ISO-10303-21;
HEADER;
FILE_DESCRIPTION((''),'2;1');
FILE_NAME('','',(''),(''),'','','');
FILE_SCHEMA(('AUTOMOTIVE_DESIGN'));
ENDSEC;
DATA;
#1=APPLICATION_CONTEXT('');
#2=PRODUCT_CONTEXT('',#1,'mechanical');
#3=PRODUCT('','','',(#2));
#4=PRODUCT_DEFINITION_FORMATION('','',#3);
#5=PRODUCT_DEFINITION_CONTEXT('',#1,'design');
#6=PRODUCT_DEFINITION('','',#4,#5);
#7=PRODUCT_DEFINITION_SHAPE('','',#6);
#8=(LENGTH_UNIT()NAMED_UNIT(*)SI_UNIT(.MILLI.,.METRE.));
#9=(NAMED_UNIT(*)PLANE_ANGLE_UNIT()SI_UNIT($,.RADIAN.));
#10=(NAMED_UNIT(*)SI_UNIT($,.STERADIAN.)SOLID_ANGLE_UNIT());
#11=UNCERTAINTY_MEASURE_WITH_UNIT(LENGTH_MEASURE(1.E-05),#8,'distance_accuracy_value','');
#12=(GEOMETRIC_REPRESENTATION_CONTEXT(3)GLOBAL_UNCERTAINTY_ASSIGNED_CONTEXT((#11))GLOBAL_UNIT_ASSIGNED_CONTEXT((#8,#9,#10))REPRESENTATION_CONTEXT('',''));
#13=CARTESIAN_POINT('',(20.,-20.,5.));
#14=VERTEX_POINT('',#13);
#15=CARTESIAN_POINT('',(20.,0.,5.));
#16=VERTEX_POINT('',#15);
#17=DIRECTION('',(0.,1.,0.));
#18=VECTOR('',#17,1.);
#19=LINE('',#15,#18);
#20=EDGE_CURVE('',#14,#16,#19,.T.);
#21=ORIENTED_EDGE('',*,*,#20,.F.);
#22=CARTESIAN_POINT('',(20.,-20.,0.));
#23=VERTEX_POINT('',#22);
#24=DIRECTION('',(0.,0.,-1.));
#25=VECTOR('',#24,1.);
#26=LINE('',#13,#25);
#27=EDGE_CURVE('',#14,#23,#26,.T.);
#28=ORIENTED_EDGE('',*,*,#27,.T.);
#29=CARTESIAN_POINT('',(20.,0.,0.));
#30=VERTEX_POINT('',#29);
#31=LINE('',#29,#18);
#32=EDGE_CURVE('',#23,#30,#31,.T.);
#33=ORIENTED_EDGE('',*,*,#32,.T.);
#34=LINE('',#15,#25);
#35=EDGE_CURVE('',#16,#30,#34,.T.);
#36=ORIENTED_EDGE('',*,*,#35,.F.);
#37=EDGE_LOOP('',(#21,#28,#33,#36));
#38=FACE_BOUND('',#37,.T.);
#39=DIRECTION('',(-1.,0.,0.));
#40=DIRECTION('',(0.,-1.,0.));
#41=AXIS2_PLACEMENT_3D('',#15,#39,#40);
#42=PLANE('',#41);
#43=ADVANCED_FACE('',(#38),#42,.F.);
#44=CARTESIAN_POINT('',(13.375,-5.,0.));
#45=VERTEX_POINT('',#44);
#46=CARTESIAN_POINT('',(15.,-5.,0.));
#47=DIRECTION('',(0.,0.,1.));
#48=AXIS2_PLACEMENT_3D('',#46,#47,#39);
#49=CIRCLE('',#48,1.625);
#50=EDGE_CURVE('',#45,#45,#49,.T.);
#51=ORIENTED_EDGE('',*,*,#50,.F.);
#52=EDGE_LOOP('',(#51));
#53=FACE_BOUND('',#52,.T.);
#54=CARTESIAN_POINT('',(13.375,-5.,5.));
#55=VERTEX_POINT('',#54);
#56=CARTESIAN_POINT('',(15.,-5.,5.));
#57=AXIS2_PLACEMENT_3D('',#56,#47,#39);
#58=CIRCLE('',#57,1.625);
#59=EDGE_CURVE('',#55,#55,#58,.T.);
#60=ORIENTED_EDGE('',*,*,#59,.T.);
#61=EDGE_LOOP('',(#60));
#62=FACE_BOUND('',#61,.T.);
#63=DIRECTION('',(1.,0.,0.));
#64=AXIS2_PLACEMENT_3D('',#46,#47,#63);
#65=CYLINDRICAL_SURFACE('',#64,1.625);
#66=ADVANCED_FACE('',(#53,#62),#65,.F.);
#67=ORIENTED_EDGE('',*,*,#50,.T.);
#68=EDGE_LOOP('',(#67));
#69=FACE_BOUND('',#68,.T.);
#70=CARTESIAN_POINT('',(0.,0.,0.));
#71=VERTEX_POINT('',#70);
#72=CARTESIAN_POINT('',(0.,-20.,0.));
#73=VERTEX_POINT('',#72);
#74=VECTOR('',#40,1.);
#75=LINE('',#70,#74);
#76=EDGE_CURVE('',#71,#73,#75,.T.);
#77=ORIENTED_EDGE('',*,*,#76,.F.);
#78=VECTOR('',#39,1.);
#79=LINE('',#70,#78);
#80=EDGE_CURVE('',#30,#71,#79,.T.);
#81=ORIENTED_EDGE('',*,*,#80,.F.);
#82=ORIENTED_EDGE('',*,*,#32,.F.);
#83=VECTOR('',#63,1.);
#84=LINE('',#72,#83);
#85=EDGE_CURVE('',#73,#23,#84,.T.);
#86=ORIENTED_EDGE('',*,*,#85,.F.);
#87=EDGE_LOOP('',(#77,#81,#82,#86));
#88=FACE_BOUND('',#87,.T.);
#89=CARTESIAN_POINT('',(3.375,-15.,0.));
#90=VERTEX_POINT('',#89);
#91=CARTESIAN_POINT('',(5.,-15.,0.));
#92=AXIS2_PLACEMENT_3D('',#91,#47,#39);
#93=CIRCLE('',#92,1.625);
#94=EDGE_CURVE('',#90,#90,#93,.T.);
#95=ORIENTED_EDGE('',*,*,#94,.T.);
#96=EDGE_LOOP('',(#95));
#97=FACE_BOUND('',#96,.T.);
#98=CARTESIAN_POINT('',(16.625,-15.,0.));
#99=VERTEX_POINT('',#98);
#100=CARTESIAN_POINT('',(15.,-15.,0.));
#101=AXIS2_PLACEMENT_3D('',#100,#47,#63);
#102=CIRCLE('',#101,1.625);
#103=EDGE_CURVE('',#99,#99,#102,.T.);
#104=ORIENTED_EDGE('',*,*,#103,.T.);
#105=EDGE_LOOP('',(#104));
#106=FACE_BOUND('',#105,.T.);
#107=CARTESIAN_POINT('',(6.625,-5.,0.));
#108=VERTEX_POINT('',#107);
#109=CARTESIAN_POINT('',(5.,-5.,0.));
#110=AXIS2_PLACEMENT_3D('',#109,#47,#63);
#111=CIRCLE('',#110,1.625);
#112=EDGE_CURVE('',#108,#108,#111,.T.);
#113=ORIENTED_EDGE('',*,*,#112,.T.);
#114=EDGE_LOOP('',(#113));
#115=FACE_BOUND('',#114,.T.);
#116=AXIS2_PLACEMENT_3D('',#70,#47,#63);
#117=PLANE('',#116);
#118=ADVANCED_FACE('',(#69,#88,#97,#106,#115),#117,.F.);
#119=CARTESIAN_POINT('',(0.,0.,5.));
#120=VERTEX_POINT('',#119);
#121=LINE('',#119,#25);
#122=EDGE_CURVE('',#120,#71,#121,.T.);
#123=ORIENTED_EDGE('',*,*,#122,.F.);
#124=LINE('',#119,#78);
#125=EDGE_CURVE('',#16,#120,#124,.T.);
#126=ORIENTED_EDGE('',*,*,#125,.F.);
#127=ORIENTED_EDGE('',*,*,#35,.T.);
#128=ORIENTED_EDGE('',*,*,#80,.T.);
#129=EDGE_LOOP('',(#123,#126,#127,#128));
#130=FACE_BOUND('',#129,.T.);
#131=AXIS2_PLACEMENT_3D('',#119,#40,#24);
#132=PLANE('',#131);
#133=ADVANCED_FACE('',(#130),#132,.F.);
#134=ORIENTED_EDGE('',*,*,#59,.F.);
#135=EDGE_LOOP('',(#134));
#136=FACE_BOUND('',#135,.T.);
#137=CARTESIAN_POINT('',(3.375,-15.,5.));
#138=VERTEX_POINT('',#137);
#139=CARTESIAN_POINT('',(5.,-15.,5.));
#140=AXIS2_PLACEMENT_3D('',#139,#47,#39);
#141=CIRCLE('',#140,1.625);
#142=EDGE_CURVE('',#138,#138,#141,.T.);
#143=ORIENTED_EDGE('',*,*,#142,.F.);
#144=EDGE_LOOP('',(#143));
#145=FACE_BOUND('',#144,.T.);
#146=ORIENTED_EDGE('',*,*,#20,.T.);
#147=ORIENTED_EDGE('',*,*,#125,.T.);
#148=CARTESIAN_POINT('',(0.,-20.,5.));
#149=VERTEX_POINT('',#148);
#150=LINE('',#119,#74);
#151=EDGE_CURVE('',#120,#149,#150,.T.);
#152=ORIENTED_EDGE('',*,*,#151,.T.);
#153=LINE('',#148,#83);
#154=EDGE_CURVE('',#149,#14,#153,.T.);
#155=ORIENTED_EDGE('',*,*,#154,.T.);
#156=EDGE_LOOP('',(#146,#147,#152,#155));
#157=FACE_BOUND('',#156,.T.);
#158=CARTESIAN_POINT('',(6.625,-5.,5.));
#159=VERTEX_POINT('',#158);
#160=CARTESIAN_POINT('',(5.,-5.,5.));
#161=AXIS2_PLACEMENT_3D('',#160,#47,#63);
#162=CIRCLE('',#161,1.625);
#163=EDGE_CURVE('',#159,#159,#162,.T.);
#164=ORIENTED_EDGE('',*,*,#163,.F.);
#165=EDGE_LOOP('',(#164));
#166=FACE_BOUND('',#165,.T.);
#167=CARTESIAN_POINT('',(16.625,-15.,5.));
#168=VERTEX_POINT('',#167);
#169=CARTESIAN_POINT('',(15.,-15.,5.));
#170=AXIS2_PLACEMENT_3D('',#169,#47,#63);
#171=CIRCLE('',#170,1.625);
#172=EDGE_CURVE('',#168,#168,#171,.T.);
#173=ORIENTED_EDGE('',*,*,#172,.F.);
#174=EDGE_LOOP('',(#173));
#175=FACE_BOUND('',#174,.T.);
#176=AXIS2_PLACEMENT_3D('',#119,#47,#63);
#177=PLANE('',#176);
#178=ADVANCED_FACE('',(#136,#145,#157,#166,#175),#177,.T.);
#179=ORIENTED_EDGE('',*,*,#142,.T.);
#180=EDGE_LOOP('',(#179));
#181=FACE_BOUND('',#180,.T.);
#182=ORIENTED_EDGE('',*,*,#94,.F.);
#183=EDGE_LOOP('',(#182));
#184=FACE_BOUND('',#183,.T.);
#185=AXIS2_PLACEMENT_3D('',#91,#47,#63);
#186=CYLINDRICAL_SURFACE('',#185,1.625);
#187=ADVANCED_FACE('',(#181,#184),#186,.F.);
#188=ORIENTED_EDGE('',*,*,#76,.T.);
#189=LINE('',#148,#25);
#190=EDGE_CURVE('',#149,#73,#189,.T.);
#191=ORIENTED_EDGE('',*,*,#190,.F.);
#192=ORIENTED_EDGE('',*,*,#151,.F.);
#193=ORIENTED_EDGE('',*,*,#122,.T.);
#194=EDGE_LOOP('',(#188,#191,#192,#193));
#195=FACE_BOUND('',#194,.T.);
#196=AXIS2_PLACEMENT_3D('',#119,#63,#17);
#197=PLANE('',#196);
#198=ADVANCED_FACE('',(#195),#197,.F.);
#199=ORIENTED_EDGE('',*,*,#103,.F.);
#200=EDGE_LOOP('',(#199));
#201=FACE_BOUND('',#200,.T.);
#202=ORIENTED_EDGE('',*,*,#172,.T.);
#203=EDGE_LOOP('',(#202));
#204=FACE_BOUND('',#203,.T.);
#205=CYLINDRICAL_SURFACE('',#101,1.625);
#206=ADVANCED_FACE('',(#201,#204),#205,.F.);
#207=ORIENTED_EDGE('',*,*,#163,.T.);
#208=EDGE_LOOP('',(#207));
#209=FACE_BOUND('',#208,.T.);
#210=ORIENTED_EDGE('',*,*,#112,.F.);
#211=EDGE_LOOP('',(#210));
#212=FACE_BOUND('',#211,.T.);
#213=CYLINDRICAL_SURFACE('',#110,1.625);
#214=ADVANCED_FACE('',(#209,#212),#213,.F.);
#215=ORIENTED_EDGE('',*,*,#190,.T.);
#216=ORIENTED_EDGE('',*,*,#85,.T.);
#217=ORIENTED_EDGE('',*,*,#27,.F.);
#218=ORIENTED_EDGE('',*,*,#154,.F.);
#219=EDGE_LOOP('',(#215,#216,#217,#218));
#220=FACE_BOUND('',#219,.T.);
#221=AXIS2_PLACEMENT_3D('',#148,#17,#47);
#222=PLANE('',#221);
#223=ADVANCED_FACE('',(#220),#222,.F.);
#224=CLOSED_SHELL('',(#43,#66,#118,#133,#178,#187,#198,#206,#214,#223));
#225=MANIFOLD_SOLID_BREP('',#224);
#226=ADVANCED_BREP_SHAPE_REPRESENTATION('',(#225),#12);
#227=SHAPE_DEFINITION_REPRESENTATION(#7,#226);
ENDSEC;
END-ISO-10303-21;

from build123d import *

# Parameters (mm, degrees)
SKETCH_1_W          = 20
SKETCH_1_H          = 20
EXTRUDE_1_DEPTH     = 5
SKETCH_2_R          = 1.625
CUT_EXTRUDE_1_DEPTH = 29.722813233


with BuildPart() as part:
    # 草图1 → 凸台-拉伸1 (new body)
    with BuildSketch(Plane.XY):
        with Locations((10, -10)):
            Rectangle(SKETCH_1_W, SKETCH_1_H)
    extrude(amount=EXTRUDE_1_DEPTH)

    # 草图2 → 切除-拉伸1 (cut, through all)
    with BuildSketch(Plane.XY.offset(5)):
        with Locations((5, -5)):
            Circle(SKETCH_2_R)
        with Locations(Location((15, -5, 0), (0, 0, 180))):
            Circle(SKETCH_2_R)
        with Locations((15, -15)):
            Circle(SKETCH_2_R)
        with Locations(Location((5, -15, 0), (0, 0, 180))):
            Circle(SKETCH_2_R)
    extrude(amount=-CUT_EXTRUDE_1_DEPTH, mode=Mode.SUBTRACT)


solid = part.part
